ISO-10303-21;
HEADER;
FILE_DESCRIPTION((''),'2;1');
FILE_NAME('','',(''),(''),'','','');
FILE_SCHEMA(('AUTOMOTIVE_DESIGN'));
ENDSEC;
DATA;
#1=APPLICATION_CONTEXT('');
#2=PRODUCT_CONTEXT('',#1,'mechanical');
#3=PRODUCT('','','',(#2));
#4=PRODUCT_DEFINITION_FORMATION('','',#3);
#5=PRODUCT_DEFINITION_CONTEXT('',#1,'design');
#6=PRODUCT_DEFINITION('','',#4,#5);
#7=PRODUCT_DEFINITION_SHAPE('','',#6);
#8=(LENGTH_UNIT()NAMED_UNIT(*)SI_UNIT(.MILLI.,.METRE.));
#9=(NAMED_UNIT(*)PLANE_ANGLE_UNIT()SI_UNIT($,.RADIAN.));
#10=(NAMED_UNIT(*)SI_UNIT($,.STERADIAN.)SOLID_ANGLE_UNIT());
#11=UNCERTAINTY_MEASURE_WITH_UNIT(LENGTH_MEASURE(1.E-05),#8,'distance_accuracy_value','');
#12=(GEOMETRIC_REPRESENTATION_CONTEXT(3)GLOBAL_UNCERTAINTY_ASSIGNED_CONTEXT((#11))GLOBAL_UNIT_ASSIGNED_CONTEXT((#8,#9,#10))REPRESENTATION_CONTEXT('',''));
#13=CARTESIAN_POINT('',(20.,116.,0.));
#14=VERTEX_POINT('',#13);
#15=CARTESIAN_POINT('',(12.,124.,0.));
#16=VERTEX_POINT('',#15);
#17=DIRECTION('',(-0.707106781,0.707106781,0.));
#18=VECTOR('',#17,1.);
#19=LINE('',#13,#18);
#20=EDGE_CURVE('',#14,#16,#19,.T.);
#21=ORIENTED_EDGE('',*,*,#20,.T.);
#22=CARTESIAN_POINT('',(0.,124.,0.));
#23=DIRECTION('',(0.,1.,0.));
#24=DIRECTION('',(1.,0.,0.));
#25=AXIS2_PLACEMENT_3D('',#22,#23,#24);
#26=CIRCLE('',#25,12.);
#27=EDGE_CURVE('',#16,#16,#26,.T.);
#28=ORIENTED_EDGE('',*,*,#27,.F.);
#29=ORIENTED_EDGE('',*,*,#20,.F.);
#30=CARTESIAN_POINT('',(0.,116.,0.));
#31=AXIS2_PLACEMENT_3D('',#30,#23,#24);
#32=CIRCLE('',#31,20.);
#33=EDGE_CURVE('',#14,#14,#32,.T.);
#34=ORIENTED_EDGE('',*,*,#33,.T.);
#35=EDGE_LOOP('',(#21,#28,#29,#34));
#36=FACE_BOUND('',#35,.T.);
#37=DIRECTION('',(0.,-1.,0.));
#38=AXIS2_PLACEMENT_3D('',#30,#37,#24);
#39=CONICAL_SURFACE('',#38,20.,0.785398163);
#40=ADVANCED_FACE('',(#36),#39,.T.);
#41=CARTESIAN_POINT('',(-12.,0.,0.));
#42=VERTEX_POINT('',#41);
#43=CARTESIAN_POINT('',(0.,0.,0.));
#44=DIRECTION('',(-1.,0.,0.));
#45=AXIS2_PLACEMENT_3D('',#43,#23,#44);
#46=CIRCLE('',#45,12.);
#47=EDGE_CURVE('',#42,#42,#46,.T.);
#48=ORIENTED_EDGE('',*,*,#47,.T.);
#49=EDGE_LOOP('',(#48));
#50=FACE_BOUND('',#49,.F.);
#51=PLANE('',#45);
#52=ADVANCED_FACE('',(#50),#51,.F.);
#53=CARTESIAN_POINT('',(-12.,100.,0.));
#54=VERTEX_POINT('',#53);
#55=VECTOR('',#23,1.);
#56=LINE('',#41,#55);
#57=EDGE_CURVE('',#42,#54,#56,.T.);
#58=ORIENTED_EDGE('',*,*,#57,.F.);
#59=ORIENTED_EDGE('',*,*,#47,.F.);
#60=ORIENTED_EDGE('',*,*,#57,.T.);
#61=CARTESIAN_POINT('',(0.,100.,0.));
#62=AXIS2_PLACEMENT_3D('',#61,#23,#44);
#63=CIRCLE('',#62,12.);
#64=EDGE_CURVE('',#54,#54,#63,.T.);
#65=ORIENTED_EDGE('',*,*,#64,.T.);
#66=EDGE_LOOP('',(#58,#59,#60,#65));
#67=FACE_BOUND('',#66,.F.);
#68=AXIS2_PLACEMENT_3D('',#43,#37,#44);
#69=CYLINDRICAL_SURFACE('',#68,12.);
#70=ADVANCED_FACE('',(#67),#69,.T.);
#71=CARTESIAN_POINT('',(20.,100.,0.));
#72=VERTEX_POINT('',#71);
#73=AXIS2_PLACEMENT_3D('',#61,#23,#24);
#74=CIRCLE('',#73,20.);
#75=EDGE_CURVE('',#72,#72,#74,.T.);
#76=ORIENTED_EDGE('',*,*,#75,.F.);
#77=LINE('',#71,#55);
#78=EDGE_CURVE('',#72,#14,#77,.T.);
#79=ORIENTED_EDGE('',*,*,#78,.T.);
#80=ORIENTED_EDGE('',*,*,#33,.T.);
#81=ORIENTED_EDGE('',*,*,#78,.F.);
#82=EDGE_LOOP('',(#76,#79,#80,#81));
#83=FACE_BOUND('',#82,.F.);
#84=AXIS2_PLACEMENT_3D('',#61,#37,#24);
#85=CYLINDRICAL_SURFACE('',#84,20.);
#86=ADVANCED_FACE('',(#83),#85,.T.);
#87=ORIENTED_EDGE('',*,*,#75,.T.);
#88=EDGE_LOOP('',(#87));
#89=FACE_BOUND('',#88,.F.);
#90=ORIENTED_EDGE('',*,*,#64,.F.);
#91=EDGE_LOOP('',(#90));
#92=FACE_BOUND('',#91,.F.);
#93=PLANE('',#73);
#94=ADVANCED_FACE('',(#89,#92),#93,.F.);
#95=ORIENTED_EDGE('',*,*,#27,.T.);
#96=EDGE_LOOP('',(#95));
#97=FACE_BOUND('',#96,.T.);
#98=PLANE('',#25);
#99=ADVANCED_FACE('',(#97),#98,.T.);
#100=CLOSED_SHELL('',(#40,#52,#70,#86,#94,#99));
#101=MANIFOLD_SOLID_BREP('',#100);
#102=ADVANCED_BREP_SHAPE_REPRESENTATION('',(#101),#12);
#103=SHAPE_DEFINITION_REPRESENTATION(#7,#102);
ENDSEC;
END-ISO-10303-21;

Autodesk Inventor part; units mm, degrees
ref_plane "YZ Plane" through (0, 0, 0) normal (1, 0, 0) x (0, 1, 0)
ref_plane "XZ Plane" through (0, 0, 0) normal (0, 1, 0) x (-1, 0, 0)
ref_plane "XY Plane" through (0, 0, 0) normal (0, 0, 1) x (1, 0, 0)
sketch "Sketch1" plane through (0, 0, 0) normal (0, 1, 0) x (-1, 0, 0)
  circle A0 centre (0, 0) radius 12
  dimension "d0" = 24
extrude "Extrusion1" add sketch "Sketch1" along normal blind 100
sketch "Sketch2" plane through (0, 100, 0) normal (0, 1, 0) x (1, 0, 0)
  circle A0 centre (0, 0) radius 20
  dimension "d3" = 40
extrude "Extrusion2" add sketch "Sketch2" along normal blind 24
chamfer "Chamfer1" distance 8 angle 45 1 edges at (-20, 124, 0)
properties part number "axle"
